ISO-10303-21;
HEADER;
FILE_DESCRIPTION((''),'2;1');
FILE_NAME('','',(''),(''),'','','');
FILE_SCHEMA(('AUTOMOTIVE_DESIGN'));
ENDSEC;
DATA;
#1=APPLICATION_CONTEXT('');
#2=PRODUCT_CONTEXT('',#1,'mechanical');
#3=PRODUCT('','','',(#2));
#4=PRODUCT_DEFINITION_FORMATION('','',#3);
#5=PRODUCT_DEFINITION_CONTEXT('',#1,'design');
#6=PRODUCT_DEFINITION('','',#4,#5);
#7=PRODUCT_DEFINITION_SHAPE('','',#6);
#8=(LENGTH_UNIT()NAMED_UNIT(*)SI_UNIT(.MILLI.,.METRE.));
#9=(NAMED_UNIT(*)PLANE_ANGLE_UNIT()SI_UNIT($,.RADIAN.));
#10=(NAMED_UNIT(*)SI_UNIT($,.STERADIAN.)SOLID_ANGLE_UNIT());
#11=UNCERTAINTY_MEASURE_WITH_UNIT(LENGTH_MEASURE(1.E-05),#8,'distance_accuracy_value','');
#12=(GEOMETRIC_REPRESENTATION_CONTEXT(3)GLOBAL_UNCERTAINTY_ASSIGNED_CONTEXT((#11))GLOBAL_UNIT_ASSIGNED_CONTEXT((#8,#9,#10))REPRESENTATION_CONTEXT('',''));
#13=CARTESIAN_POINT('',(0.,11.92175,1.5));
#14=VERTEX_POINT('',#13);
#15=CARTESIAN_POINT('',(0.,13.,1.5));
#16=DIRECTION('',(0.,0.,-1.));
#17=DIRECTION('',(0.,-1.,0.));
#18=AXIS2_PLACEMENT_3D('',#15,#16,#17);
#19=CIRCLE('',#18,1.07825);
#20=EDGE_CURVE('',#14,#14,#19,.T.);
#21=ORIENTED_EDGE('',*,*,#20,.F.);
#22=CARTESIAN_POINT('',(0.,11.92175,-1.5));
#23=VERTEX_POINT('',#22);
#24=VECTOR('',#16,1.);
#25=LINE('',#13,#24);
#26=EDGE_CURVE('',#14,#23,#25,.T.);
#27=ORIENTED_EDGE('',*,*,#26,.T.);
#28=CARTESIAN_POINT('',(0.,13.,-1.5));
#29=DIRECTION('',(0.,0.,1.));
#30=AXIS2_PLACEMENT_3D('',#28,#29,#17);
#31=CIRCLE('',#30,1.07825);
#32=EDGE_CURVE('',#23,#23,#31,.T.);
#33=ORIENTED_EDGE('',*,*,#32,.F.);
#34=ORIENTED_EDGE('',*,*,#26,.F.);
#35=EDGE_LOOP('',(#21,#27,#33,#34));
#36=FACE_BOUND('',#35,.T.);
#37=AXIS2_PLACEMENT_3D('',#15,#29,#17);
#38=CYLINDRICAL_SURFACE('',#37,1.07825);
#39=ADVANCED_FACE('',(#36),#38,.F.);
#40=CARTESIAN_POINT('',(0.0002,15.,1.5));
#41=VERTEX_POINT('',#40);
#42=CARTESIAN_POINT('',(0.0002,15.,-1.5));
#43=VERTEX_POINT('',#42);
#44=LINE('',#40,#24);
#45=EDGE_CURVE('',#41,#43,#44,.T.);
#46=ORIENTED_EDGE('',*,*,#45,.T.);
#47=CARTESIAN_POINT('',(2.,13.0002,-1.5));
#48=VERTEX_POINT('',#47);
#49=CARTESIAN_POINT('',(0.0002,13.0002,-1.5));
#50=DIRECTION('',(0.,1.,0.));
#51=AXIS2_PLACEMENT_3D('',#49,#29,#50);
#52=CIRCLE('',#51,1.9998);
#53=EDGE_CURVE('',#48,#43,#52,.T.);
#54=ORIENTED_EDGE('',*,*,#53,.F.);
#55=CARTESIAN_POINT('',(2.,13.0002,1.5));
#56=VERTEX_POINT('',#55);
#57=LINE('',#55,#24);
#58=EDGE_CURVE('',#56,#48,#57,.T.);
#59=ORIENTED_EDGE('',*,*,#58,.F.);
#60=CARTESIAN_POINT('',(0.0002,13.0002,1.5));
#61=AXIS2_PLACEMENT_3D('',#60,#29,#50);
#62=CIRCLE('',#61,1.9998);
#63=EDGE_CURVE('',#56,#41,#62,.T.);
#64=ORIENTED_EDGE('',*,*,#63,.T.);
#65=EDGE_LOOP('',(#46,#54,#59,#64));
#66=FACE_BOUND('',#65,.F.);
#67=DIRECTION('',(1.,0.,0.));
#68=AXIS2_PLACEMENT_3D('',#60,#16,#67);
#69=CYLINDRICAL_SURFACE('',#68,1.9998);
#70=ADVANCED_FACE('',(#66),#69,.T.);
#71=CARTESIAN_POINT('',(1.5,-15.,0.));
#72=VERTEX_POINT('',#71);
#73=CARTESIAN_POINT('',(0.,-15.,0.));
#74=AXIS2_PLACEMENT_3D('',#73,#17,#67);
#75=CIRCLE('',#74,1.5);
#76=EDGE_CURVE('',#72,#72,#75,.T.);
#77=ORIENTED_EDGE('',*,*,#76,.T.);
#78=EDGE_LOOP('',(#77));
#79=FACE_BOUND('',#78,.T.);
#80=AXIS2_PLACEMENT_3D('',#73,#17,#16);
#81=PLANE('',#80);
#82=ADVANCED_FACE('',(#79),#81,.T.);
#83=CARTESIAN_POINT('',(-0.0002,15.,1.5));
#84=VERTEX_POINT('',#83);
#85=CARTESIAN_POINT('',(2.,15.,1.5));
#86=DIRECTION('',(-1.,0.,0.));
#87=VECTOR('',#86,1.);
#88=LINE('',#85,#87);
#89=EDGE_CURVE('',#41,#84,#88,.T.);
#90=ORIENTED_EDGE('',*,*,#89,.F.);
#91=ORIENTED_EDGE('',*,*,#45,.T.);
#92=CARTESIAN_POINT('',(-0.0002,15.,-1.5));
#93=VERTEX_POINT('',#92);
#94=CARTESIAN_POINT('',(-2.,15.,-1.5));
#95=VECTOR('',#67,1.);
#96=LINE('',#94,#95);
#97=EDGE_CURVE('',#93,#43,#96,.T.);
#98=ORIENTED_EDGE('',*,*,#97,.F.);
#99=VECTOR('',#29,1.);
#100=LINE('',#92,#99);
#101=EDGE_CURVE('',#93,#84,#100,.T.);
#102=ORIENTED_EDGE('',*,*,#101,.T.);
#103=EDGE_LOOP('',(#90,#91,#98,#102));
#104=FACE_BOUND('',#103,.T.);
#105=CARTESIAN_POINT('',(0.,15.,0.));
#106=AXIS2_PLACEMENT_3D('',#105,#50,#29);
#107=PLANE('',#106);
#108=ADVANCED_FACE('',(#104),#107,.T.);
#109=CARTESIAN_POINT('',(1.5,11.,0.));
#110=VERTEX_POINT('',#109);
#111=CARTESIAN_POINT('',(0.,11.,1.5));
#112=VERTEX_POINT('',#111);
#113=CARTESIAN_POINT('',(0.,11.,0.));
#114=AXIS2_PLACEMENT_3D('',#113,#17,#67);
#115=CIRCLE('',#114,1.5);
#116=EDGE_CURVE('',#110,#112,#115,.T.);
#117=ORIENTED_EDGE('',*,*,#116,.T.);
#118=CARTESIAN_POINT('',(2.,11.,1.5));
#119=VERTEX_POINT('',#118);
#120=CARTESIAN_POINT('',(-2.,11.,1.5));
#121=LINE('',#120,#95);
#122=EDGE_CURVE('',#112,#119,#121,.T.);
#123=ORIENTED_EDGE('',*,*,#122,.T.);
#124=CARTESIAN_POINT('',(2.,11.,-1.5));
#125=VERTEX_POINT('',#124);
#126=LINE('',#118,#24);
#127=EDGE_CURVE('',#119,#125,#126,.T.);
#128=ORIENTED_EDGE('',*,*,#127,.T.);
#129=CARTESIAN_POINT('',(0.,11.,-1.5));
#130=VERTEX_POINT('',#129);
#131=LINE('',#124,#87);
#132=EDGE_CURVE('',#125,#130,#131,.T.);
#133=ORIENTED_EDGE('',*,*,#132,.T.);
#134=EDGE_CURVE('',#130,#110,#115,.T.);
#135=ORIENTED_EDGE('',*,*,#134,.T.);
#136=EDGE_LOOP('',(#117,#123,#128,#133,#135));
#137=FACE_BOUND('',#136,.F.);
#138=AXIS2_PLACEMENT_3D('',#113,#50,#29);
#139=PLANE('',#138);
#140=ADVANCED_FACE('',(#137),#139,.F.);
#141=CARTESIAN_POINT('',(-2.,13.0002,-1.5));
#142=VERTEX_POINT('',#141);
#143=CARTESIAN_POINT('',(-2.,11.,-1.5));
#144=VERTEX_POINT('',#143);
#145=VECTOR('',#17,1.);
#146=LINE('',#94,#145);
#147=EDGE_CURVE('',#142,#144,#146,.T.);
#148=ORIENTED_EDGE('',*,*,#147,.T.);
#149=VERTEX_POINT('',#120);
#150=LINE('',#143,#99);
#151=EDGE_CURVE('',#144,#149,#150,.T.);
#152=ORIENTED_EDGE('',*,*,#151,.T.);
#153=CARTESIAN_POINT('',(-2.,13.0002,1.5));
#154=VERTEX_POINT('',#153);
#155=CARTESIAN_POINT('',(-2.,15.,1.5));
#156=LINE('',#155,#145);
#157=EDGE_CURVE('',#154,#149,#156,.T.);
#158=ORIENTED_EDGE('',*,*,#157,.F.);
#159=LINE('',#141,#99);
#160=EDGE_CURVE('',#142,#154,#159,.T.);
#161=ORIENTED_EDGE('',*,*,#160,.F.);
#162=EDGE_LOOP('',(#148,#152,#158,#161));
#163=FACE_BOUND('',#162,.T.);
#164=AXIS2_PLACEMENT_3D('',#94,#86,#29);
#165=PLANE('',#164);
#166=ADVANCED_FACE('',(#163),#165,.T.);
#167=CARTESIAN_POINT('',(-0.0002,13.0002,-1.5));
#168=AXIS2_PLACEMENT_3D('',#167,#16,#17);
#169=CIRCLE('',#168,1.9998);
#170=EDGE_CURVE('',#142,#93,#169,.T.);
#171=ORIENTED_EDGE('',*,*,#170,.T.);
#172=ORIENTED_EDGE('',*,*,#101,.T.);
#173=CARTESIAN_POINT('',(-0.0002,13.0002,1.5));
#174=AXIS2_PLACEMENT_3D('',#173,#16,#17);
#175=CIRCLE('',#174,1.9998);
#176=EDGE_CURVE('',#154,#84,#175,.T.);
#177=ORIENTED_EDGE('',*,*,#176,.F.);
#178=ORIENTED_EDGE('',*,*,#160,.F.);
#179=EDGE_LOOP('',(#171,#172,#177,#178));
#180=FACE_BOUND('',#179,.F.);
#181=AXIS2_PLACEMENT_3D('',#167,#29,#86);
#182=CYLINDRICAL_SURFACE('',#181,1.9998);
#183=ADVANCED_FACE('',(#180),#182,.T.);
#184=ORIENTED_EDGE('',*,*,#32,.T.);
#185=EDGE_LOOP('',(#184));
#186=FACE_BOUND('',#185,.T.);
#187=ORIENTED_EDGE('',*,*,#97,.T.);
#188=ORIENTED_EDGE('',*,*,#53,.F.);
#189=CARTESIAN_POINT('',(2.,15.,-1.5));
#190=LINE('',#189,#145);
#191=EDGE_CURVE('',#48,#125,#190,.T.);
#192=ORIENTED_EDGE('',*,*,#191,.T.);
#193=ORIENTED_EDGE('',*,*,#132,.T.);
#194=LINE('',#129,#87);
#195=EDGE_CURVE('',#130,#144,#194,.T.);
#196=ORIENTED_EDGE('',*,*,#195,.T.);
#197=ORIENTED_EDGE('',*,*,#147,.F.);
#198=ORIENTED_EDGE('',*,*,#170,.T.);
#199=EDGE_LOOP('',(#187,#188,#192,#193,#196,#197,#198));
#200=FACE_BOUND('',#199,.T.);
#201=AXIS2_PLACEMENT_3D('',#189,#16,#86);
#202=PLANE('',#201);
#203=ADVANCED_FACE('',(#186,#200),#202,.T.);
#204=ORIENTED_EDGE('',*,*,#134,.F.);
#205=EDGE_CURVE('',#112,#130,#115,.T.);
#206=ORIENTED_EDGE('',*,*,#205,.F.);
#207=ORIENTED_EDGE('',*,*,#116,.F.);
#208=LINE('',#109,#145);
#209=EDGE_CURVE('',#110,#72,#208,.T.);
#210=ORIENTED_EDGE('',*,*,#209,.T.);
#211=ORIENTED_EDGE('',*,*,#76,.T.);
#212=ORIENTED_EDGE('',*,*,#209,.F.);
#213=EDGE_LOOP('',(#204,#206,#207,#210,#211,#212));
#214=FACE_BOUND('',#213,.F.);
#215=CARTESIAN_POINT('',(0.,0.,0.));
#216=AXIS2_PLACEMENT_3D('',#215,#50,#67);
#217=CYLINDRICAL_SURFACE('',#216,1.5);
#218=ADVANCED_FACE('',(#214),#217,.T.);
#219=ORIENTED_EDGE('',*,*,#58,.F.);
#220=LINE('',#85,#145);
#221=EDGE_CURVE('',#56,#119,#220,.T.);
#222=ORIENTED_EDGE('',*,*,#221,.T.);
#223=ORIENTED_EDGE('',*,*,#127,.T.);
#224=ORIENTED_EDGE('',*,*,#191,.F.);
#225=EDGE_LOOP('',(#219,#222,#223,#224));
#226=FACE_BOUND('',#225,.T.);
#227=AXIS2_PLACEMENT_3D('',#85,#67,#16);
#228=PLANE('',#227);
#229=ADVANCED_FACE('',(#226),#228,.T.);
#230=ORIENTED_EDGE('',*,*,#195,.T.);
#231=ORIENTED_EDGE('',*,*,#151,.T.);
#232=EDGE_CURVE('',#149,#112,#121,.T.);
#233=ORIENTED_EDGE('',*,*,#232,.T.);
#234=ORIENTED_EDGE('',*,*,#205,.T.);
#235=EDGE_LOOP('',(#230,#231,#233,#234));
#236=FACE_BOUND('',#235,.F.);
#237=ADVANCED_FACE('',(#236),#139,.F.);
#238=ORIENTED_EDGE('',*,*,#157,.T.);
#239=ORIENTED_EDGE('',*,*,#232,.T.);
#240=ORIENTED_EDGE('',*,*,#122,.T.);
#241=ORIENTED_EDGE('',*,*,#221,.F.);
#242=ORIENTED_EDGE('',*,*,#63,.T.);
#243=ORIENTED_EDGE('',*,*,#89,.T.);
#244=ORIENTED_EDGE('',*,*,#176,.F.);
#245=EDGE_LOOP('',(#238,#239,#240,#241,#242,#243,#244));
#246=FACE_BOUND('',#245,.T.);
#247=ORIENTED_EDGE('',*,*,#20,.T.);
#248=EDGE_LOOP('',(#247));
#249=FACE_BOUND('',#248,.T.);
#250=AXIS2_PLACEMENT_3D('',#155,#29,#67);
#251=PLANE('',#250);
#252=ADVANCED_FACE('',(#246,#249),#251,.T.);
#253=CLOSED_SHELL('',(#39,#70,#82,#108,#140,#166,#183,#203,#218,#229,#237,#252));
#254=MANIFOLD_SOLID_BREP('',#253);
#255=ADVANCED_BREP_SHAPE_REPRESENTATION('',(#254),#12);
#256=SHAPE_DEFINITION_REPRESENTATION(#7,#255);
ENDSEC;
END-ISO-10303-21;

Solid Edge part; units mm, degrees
sketch "Sketch1" plane through (0, 0, 0) normal (0, -1, 0) x (1, 0, 0)
  circle A0 centre (0, 0) radius 1.5
extrude "Protrusion1" add sketch "Sketch1" along normal mid plane 30
sketch "Sketch2" plane through (0, 15, 0) normal (0, 1, 0) x (1, 0, 0)
  line L0 (0, 1.5) -> (-2, 1.5)
  line L1 (-2, 1.5) -> (-2, -1.5)
  line L2 (-2, -1.5) -> (2, -1.5)
  line L3 (2, -1.5) -> (2, 1.5)
  line L4 (2, 1.5) -> (0, 1.5)
extrude "ExtrudedProtrusion_2" add sketch "Sketch2" against normal blind 4
hole "Hole_1" at (0, 13, 1.5) direction (0, 0, -1) diameter 2.1565 end up to next thread major 2.8448 thread length 50.8
fillet "Round_1" radius 2 2 edges at (-2, 15, 0) (2, 15, 0)
properties material "Aluminum, 6061-T6"
